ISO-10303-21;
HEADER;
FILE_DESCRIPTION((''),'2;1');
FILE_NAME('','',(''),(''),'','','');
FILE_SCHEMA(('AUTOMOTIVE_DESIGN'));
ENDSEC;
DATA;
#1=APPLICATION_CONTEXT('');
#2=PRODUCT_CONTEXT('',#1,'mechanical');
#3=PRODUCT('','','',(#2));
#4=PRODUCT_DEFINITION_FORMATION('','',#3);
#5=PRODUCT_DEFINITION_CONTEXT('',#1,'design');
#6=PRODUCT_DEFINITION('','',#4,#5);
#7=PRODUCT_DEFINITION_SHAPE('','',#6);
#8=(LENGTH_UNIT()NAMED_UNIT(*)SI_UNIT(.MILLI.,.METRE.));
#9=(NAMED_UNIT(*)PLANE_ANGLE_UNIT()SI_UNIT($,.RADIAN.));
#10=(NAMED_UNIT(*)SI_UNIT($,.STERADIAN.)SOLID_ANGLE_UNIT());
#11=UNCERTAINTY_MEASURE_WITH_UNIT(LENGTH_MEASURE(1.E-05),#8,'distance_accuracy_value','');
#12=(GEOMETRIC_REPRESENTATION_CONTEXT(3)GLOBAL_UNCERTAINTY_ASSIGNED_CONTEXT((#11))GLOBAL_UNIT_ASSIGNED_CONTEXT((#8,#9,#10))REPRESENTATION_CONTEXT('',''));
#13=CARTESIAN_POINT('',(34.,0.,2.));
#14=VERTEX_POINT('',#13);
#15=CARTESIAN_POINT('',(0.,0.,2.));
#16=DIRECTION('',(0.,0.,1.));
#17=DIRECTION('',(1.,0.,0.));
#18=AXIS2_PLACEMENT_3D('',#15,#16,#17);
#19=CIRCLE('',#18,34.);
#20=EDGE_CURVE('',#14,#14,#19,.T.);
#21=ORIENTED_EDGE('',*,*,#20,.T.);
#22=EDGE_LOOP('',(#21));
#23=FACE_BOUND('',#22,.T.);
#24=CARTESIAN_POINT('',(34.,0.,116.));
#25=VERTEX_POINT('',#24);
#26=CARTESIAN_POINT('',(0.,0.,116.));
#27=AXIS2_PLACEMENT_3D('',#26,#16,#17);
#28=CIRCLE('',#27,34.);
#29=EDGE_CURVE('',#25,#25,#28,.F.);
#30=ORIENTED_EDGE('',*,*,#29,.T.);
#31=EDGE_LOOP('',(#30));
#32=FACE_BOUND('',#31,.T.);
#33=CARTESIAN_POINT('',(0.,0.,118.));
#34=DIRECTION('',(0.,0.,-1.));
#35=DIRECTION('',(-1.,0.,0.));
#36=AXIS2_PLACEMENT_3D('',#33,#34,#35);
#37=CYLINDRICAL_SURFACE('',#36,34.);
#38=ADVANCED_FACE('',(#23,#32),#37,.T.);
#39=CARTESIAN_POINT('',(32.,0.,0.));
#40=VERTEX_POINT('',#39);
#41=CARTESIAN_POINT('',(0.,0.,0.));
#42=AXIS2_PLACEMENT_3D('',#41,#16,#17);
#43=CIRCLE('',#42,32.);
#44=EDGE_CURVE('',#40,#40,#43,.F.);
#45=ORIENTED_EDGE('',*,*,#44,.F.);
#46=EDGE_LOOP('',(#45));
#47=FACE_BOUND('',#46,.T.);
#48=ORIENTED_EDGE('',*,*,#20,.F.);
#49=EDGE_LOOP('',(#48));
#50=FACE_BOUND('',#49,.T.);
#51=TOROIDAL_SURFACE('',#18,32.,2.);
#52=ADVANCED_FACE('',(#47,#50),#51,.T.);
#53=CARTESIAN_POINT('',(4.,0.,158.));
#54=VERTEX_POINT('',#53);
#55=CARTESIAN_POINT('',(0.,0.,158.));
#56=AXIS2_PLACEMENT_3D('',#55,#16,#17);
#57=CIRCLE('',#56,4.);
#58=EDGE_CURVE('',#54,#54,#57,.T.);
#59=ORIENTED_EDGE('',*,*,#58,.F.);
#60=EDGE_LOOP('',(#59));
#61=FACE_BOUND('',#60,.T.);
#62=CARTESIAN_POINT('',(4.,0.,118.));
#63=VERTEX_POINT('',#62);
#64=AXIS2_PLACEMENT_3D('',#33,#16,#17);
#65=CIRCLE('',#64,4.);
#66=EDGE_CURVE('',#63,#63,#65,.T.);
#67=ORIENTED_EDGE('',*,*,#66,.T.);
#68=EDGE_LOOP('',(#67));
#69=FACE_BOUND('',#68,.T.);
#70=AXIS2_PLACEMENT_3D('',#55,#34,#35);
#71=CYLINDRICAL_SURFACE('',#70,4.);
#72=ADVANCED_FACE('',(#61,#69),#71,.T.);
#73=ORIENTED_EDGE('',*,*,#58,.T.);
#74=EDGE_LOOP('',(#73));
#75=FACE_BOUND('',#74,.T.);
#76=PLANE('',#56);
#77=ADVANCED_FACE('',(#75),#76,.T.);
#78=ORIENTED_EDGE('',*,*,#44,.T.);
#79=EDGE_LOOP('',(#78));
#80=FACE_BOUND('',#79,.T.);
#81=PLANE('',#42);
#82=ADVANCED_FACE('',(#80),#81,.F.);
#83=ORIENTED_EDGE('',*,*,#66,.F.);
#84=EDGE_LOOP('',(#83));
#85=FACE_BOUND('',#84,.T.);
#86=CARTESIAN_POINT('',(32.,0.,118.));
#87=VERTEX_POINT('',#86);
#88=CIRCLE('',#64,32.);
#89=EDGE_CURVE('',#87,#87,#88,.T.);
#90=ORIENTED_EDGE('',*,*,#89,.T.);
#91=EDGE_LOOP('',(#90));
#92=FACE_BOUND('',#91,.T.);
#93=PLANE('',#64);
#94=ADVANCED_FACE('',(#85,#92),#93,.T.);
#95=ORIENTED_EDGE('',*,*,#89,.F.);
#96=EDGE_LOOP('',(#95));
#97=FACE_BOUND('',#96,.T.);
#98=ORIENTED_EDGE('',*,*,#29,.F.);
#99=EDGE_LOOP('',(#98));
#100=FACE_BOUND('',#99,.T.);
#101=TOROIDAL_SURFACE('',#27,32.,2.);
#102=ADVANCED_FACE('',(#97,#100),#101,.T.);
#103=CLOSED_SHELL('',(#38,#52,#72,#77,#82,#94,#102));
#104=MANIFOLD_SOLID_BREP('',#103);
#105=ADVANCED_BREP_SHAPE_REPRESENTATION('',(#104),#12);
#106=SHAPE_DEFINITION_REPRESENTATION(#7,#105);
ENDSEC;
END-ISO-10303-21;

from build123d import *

# Parameters (mm, degrees)
SKETCH1_R           = 34
BOSS_EXTRUDE1_DEPTH = 118
SKETCH2_R           = 4
BOSS_EXTRUDE2_DEPTH = 40
FILLET1_R           = 2


with BuildPart() as part:
    # Sketch1 → Boss-Extrude1 (new body)
    with BuildSketch(Plane.XY):
        Circle(SKETCH1_R)
    extrude(amount=BOSS_EXTRUDE1_DEPTH)

    # Sketch2 → Boss-Extrude2 (add)
    with BuildSketch(Plane.XY.offset(118)):
        Circle(SKETCH2_R)
    extrude(amount=BOSS_EXTRUDE2_DEPTH)

    # Fillet1
    fillet1_edges = [part.edges().sort_by_distance(p)[0] for p in [
        (-34, 0, 0),
        (-34, 0, 118),
    ]]
    fillet(fillet1_edges, radius=FILLET1_R)


solid = part.part
